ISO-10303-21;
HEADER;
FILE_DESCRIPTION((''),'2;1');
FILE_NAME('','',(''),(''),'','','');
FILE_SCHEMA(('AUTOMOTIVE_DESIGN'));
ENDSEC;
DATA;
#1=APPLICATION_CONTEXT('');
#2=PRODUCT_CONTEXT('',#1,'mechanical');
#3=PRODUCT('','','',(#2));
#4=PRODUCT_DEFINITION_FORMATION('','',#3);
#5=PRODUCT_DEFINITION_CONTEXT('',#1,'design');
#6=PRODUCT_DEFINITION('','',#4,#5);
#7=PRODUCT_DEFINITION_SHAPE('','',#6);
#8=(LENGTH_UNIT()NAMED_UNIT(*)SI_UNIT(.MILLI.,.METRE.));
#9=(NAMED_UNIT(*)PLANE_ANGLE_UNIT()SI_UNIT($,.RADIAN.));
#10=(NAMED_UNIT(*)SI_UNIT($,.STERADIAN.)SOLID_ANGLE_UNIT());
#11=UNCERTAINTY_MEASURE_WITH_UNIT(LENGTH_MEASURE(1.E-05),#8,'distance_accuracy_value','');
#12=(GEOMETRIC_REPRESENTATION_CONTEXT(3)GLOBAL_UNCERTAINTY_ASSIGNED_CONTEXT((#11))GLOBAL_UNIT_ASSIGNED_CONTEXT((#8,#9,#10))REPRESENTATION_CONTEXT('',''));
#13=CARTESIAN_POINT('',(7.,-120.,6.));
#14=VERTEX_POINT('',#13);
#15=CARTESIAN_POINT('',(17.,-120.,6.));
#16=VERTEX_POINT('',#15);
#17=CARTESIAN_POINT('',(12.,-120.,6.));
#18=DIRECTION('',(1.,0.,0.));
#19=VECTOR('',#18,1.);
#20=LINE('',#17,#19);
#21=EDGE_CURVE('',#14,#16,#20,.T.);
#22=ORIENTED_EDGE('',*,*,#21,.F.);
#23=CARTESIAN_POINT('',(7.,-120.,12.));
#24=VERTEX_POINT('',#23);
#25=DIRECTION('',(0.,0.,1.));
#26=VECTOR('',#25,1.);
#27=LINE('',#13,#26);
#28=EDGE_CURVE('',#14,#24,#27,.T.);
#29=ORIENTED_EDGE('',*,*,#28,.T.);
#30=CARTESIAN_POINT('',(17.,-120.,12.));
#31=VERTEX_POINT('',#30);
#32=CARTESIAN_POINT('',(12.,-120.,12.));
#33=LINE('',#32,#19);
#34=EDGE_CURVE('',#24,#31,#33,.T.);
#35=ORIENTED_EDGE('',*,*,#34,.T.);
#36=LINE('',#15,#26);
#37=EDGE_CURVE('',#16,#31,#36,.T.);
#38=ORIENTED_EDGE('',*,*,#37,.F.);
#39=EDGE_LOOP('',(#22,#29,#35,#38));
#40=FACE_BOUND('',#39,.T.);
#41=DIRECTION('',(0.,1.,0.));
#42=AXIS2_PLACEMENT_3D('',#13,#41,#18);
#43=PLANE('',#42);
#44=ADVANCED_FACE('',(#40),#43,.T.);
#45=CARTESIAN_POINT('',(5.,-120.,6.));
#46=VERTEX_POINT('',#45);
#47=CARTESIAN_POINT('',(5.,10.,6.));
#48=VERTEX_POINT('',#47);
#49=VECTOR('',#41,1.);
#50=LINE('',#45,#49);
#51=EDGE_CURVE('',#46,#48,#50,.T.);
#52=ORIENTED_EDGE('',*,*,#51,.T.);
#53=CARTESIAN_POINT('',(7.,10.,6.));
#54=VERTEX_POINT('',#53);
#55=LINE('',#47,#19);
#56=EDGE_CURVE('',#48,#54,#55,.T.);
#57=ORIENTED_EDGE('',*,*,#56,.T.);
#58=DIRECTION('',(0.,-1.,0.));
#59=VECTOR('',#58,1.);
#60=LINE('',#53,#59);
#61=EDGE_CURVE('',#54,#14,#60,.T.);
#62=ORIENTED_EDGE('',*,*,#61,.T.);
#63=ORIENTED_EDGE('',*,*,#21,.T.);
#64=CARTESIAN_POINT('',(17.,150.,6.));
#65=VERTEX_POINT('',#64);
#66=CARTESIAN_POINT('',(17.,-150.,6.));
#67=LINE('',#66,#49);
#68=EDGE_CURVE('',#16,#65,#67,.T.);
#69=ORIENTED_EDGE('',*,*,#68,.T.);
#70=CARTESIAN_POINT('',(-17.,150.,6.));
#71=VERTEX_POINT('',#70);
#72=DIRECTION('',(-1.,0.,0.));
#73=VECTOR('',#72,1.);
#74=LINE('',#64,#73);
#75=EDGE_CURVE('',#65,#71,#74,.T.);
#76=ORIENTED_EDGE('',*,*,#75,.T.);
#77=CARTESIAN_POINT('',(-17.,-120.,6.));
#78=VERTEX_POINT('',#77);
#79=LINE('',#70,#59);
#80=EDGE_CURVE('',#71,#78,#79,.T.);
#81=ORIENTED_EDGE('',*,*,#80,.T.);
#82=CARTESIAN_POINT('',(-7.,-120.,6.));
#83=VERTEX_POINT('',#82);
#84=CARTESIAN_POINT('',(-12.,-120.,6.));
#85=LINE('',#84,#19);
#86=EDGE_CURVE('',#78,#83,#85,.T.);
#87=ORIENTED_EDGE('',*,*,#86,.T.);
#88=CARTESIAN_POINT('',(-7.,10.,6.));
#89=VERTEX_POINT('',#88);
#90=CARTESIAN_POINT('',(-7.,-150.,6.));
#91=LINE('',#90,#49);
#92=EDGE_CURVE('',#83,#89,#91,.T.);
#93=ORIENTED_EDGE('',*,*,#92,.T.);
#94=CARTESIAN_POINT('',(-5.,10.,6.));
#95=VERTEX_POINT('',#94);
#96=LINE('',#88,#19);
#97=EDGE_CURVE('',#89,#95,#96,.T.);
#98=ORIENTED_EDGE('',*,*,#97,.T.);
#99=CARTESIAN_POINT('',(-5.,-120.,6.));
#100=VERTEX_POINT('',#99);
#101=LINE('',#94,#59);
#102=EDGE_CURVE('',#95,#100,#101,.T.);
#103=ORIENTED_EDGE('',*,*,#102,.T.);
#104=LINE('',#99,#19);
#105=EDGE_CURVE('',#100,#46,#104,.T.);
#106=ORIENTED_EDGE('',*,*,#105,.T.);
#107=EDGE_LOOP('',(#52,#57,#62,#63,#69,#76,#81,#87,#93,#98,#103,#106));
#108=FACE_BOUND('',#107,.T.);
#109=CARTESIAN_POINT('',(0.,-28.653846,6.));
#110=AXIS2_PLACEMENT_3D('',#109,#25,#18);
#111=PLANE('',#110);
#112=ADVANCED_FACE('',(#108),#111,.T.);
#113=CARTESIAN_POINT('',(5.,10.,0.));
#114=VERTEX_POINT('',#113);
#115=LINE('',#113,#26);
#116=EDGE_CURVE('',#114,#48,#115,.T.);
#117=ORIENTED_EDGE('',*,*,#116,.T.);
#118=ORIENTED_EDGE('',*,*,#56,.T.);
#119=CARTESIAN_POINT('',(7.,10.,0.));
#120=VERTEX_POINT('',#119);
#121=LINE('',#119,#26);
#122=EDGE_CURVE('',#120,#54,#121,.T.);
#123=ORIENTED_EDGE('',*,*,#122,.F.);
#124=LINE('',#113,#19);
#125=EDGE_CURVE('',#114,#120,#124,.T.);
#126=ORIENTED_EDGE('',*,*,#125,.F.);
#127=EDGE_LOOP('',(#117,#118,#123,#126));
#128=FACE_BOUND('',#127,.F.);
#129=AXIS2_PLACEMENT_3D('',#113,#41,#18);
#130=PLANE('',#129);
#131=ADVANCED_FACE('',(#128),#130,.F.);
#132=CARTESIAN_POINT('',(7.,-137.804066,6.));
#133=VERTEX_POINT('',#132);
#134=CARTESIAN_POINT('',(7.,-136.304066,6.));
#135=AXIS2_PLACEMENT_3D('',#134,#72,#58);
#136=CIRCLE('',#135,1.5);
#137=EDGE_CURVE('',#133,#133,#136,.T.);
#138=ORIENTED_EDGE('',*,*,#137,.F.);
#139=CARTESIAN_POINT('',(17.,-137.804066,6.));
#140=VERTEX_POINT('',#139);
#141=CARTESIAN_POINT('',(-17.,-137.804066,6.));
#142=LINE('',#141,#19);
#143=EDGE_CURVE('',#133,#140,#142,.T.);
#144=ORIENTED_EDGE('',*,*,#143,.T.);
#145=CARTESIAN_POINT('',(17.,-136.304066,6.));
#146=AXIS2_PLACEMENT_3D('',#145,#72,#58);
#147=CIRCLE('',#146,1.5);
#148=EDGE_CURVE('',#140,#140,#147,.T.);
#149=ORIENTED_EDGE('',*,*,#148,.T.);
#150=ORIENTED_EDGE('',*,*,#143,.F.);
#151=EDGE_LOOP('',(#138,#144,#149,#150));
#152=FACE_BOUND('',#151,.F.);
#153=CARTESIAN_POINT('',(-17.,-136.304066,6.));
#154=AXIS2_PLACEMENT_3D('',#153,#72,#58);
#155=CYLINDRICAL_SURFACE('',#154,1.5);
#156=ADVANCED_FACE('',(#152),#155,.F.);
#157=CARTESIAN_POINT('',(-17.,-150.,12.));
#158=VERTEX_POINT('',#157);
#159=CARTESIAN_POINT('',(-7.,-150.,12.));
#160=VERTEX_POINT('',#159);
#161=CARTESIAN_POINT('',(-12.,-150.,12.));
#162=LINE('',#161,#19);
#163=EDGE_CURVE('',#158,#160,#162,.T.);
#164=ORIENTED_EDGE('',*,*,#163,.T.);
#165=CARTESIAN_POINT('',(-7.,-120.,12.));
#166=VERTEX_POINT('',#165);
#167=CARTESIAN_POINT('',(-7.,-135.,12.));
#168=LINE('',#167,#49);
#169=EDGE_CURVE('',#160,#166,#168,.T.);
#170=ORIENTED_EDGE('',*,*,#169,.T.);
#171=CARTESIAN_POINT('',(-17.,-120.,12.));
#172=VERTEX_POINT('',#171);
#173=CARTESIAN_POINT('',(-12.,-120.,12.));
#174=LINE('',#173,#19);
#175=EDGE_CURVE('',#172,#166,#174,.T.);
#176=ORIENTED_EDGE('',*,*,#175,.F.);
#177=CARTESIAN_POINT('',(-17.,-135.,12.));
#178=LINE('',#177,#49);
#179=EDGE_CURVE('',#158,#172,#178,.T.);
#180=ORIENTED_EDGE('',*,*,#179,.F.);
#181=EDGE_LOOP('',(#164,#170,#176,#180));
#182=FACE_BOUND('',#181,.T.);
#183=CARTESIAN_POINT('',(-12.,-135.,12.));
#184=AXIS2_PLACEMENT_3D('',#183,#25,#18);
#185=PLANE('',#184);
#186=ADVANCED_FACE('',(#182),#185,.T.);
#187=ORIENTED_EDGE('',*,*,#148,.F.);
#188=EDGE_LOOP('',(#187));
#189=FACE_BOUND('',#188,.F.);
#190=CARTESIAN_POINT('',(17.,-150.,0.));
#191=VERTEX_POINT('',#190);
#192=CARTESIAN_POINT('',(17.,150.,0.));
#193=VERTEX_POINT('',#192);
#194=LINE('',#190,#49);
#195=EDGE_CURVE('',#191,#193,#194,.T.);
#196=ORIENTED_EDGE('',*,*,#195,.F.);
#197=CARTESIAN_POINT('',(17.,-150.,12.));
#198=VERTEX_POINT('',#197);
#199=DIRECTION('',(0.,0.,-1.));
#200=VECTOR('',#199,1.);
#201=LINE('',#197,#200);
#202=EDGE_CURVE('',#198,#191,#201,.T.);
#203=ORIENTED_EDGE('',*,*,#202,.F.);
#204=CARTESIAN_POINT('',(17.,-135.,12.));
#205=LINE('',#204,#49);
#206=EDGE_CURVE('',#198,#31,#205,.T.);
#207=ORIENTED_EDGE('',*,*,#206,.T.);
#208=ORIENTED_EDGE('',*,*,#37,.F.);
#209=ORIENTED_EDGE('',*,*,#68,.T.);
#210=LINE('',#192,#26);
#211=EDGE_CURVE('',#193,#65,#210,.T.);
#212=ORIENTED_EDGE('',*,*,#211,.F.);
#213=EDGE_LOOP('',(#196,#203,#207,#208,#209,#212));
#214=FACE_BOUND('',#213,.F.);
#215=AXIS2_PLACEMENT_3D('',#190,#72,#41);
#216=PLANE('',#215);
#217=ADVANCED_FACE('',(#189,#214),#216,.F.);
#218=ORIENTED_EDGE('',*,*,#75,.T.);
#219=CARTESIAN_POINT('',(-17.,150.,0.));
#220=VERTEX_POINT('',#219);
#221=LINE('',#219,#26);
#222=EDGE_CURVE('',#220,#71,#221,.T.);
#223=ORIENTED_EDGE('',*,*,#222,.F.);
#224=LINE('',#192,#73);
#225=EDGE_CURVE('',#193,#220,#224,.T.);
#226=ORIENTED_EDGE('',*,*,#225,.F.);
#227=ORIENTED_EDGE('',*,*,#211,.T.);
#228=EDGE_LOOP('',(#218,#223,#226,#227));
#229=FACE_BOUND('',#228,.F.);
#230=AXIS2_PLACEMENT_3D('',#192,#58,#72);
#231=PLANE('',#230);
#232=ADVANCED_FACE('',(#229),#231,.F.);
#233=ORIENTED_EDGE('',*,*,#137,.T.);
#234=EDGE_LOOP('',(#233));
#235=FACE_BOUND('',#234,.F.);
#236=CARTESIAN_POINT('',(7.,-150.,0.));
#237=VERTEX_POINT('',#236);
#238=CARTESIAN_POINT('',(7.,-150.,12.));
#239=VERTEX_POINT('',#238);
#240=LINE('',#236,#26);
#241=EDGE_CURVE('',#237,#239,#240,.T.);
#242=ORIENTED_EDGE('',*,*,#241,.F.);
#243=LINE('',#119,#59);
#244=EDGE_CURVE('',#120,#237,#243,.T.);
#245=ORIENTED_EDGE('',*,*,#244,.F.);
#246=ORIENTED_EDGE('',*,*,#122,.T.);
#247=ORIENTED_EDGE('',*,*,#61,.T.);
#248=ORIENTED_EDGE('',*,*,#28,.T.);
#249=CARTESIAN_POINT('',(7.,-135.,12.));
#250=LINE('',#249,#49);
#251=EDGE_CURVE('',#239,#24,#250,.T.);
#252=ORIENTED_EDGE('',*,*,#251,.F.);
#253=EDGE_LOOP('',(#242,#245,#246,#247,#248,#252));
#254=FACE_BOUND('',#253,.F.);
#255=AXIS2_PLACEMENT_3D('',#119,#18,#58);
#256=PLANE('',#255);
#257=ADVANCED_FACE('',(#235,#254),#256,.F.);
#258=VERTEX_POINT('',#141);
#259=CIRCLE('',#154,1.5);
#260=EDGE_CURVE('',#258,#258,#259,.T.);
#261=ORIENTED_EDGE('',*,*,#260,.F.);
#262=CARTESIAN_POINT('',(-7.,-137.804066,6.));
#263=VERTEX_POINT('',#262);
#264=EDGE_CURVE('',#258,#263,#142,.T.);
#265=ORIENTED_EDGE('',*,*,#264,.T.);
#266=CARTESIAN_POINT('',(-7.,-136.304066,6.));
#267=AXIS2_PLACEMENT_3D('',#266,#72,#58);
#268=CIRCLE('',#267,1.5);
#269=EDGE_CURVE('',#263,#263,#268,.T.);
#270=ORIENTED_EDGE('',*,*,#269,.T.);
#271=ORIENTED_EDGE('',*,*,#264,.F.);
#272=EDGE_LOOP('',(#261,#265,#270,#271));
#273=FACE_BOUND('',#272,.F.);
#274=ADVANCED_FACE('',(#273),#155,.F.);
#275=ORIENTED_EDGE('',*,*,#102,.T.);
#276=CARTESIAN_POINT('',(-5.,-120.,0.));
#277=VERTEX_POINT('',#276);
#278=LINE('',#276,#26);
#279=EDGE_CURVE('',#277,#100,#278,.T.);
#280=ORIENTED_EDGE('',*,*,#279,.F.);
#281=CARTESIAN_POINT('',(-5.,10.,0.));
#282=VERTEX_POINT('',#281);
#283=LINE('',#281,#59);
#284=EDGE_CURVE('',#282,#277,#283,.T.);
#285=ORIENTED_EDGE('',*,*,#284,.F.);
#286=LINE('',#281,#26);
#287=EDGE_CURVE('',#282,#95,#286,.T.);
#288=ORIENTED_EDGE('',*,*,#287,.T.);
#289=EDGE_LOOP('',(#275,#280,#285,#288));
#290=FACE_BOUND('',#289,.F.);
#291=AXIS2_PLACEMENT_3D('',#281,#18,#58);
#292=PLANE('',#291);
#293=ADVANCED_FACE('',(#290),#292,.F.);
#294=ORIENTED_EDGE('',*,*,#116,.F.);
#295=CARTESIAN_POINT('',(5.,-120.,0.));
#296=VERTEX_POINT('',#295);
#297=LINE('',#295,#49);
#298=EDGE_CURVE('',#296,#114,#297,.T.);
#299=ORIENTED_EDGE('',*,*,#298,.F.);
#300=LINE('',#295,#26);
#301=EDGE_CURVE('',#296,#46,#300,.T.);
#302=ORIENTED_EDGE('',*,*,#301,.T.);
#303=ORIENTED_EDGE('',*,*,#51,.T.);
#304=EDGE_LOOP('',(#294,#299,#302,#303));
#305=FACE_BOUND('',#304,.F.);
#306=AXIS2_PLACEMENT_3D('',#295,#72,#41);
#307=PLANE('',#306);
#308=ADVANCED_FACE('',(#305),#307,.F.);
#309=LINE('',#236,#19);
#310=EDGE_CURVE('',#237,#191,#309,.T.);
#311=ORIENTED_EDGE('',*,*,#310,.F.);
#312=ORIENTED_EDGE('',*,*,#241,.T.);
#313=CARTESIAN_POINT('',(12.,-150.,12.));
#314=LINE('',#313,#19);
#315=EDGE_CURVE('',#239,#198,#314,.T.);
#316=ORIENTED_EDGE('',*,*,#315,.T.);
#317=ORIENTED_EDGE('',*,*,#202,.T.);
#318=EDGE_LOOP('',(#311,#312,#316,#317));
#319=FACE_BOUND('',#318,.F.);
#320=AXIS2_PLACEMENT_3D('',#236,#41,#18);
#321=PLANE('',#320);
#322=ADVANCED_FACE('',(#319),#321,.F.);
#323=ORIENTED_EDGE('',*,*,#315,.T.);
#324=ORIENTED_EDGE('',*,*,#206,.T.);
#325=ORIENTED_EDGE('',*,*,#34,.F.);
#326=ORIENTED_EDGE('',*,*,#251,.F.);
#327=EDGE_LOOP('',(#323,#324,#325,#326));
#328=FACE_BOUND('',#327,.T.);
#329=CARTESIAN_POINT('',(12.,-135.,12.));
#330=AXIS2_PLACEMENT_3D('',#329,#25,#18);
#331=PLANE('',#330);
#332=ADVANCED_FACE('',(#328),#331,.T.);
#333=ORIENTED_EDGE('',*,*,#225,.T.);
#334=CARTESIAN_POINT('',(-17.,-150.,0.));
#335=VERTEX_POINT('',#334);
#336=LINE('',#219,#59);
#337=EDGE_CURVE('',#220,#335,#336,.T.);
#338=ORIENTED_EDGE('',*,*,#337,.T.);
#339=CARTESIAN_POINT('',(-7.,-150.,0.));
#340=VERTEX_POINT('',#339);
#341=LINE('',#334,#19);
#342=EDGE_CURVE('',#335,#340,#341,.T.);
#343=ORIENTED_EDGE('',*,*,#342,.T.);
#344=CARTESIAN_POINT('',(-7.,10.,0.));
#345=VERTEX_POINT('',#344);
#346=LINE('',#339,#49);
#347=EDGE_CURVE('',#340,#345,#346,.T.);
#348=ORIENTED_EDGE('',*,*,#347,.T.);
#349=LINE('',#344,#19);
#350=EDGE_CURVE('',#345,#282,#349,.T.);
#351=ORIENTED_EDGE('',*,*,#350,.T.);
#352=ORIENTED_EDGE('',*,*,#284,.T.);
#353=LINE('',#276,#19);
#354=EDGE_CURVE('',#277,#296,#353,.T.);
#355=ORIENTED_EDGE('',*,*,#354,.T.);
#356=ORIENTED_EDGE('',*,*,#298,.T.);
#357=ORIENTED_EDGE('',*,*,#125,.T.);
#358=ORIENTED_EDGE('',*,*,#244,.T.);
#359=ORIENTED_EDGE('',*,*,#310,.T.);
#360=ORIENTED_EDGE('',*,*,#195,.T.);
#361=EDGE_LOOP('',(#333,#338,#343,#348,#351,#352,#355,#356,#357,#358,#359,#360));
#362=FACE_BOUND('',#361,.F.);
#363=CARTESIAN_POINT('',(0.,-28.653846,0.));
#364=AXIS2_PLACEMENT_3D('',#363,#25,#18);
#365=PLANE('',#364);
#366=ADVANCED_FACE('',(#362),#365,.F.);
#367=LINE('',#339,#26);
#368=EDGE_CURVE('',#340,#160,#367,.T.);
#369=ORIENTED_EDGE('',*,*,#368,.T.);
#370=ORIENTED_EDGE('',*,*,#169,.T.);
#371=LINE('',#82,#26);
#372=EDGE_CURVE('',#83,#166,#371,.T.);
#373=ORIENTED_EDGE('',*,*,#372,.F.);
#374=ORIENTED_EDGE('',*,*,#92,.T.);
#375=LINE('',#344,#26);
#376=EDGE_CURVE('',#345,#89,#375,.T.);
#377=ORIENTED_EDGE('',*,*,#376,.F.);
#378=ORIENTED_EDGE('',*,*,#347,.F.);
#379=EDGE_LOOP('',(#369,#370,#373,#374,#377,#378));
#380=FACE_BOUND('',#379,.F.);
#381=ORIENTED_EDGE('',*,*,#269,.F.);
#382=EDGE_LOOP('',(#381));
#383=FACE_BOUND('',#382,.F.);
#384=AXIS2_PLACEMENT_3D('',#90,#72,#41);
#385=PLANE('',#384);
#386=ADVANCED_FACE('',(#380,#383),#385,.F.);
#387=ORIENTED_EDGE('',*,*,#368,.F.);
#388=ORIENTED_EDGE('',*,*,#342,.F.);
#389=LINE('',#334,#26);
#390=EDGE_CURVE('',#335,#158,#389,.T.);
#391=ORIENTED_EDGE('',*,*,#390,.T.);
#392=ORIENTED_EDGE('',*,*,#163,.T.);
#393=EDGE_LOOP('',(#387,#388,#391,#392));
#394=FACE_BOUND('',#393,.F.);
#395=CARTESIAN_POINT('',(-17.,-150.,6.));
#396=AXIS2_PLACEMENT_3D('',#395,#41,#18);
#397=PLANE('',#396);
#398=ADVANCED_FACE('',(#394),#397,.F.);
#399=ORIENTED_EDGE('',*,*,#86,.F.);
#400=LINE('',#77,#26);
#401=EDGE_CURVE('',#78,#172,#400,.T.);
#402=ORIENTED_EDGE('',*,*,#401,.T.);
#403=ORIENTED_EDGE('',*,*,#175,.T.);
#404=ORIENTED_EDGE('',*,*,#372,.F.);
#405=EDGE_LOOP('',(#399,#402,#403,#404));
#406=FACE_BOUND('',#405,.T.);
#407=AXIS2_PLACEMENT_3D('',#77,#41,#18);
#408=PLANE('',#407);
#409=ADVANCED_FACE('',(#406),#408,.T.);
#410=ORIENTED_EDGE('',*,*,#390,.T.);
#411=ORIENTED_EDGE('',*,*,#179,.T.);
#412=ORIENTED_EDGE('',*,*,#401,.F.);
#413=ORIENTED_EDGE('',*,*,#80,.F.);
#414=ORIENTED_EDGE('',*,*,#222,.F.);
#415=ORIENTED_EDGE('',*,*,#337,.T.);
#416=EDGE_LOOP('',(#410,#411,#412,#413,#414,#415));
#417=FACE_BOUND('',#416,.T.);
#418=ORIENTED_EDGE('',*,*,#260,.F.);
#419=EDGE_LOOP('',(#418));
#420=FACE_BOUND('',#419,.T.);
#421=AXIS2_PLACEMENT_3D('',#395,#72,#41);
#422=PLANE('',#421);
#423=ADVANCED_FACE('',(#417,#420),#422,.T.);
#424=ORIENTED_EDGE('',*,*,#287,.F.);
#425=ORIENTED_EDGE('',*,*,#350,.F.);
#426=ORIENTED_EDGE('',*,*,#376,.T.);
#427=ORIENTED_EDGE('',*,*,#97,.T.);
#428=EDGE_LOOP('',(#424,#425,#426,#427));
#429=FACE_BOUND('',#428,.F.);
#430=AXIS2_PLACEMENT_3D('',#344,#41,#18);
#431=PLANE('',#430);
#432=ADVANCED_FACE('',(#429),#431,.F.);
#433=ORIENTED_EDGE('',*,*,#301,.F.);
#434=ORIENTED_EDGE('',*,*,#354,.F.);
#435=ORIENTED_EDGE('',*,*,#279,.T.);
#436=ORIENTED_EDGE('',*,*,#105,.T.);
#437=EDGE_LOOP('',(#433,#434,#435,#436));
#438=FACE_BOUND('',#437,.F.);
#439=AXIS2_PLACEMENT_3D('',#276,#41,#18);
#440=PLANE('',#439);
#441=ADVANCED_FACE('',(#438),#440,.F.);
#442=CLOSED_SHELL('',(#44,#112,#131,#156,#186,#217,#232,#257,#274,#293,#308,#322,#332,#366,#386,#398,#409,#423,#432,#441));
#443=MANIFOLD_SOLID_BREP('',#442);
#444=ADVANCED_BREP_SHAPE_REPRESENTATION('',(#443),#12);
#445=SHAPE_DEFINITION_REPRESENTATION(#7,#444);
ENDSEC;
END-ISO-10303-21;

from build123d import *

# Parameters (mm, degrees)
F1_DEPTH = 6
F2_W     = 10
F2_H     = 30
F3_DEPTH = 6
F4_R     = 1.5
F5_DEPTH = 34.001


with BuildPart() as f1:
    # F0 (on Top) → F1 (new body)
    with BuildSketch(Plane.XY):
        Polygon((7, -150), (17, -150), (17, 150), (-17, 150), (-17, -150), (-7, -150), (-7, 10), (-5, 10), (-5, -120), (5, -120), (5, 10), (7, 10), align=None)
    extrude(amount=F1_DEPTH)

    # F2 (on face) → F3 (join)
    with BuildSketch(Plane.XY.offset(6)):
        with Locations((-12, -135)):
            Rectangle(F2_W, F2_H)
        with Locations((12, -135)):
            Rectangle(F2_W, F2_H)
    extrude(amount=F3_DEPTH)

    # F4 (on face) → F5 (cut, through all)
    with BuildSketch(Plane(origin=(-17, 0, 0), x_dir=(0, -1, 0), z_dir=(-1, 0, 0))):
        with Locations((136.304066, 6)):
            Circle(F4_R)
    extrude(amount=-F5_DEPTH, mode=Mode.SUBTRACT)


solid = f1.part
